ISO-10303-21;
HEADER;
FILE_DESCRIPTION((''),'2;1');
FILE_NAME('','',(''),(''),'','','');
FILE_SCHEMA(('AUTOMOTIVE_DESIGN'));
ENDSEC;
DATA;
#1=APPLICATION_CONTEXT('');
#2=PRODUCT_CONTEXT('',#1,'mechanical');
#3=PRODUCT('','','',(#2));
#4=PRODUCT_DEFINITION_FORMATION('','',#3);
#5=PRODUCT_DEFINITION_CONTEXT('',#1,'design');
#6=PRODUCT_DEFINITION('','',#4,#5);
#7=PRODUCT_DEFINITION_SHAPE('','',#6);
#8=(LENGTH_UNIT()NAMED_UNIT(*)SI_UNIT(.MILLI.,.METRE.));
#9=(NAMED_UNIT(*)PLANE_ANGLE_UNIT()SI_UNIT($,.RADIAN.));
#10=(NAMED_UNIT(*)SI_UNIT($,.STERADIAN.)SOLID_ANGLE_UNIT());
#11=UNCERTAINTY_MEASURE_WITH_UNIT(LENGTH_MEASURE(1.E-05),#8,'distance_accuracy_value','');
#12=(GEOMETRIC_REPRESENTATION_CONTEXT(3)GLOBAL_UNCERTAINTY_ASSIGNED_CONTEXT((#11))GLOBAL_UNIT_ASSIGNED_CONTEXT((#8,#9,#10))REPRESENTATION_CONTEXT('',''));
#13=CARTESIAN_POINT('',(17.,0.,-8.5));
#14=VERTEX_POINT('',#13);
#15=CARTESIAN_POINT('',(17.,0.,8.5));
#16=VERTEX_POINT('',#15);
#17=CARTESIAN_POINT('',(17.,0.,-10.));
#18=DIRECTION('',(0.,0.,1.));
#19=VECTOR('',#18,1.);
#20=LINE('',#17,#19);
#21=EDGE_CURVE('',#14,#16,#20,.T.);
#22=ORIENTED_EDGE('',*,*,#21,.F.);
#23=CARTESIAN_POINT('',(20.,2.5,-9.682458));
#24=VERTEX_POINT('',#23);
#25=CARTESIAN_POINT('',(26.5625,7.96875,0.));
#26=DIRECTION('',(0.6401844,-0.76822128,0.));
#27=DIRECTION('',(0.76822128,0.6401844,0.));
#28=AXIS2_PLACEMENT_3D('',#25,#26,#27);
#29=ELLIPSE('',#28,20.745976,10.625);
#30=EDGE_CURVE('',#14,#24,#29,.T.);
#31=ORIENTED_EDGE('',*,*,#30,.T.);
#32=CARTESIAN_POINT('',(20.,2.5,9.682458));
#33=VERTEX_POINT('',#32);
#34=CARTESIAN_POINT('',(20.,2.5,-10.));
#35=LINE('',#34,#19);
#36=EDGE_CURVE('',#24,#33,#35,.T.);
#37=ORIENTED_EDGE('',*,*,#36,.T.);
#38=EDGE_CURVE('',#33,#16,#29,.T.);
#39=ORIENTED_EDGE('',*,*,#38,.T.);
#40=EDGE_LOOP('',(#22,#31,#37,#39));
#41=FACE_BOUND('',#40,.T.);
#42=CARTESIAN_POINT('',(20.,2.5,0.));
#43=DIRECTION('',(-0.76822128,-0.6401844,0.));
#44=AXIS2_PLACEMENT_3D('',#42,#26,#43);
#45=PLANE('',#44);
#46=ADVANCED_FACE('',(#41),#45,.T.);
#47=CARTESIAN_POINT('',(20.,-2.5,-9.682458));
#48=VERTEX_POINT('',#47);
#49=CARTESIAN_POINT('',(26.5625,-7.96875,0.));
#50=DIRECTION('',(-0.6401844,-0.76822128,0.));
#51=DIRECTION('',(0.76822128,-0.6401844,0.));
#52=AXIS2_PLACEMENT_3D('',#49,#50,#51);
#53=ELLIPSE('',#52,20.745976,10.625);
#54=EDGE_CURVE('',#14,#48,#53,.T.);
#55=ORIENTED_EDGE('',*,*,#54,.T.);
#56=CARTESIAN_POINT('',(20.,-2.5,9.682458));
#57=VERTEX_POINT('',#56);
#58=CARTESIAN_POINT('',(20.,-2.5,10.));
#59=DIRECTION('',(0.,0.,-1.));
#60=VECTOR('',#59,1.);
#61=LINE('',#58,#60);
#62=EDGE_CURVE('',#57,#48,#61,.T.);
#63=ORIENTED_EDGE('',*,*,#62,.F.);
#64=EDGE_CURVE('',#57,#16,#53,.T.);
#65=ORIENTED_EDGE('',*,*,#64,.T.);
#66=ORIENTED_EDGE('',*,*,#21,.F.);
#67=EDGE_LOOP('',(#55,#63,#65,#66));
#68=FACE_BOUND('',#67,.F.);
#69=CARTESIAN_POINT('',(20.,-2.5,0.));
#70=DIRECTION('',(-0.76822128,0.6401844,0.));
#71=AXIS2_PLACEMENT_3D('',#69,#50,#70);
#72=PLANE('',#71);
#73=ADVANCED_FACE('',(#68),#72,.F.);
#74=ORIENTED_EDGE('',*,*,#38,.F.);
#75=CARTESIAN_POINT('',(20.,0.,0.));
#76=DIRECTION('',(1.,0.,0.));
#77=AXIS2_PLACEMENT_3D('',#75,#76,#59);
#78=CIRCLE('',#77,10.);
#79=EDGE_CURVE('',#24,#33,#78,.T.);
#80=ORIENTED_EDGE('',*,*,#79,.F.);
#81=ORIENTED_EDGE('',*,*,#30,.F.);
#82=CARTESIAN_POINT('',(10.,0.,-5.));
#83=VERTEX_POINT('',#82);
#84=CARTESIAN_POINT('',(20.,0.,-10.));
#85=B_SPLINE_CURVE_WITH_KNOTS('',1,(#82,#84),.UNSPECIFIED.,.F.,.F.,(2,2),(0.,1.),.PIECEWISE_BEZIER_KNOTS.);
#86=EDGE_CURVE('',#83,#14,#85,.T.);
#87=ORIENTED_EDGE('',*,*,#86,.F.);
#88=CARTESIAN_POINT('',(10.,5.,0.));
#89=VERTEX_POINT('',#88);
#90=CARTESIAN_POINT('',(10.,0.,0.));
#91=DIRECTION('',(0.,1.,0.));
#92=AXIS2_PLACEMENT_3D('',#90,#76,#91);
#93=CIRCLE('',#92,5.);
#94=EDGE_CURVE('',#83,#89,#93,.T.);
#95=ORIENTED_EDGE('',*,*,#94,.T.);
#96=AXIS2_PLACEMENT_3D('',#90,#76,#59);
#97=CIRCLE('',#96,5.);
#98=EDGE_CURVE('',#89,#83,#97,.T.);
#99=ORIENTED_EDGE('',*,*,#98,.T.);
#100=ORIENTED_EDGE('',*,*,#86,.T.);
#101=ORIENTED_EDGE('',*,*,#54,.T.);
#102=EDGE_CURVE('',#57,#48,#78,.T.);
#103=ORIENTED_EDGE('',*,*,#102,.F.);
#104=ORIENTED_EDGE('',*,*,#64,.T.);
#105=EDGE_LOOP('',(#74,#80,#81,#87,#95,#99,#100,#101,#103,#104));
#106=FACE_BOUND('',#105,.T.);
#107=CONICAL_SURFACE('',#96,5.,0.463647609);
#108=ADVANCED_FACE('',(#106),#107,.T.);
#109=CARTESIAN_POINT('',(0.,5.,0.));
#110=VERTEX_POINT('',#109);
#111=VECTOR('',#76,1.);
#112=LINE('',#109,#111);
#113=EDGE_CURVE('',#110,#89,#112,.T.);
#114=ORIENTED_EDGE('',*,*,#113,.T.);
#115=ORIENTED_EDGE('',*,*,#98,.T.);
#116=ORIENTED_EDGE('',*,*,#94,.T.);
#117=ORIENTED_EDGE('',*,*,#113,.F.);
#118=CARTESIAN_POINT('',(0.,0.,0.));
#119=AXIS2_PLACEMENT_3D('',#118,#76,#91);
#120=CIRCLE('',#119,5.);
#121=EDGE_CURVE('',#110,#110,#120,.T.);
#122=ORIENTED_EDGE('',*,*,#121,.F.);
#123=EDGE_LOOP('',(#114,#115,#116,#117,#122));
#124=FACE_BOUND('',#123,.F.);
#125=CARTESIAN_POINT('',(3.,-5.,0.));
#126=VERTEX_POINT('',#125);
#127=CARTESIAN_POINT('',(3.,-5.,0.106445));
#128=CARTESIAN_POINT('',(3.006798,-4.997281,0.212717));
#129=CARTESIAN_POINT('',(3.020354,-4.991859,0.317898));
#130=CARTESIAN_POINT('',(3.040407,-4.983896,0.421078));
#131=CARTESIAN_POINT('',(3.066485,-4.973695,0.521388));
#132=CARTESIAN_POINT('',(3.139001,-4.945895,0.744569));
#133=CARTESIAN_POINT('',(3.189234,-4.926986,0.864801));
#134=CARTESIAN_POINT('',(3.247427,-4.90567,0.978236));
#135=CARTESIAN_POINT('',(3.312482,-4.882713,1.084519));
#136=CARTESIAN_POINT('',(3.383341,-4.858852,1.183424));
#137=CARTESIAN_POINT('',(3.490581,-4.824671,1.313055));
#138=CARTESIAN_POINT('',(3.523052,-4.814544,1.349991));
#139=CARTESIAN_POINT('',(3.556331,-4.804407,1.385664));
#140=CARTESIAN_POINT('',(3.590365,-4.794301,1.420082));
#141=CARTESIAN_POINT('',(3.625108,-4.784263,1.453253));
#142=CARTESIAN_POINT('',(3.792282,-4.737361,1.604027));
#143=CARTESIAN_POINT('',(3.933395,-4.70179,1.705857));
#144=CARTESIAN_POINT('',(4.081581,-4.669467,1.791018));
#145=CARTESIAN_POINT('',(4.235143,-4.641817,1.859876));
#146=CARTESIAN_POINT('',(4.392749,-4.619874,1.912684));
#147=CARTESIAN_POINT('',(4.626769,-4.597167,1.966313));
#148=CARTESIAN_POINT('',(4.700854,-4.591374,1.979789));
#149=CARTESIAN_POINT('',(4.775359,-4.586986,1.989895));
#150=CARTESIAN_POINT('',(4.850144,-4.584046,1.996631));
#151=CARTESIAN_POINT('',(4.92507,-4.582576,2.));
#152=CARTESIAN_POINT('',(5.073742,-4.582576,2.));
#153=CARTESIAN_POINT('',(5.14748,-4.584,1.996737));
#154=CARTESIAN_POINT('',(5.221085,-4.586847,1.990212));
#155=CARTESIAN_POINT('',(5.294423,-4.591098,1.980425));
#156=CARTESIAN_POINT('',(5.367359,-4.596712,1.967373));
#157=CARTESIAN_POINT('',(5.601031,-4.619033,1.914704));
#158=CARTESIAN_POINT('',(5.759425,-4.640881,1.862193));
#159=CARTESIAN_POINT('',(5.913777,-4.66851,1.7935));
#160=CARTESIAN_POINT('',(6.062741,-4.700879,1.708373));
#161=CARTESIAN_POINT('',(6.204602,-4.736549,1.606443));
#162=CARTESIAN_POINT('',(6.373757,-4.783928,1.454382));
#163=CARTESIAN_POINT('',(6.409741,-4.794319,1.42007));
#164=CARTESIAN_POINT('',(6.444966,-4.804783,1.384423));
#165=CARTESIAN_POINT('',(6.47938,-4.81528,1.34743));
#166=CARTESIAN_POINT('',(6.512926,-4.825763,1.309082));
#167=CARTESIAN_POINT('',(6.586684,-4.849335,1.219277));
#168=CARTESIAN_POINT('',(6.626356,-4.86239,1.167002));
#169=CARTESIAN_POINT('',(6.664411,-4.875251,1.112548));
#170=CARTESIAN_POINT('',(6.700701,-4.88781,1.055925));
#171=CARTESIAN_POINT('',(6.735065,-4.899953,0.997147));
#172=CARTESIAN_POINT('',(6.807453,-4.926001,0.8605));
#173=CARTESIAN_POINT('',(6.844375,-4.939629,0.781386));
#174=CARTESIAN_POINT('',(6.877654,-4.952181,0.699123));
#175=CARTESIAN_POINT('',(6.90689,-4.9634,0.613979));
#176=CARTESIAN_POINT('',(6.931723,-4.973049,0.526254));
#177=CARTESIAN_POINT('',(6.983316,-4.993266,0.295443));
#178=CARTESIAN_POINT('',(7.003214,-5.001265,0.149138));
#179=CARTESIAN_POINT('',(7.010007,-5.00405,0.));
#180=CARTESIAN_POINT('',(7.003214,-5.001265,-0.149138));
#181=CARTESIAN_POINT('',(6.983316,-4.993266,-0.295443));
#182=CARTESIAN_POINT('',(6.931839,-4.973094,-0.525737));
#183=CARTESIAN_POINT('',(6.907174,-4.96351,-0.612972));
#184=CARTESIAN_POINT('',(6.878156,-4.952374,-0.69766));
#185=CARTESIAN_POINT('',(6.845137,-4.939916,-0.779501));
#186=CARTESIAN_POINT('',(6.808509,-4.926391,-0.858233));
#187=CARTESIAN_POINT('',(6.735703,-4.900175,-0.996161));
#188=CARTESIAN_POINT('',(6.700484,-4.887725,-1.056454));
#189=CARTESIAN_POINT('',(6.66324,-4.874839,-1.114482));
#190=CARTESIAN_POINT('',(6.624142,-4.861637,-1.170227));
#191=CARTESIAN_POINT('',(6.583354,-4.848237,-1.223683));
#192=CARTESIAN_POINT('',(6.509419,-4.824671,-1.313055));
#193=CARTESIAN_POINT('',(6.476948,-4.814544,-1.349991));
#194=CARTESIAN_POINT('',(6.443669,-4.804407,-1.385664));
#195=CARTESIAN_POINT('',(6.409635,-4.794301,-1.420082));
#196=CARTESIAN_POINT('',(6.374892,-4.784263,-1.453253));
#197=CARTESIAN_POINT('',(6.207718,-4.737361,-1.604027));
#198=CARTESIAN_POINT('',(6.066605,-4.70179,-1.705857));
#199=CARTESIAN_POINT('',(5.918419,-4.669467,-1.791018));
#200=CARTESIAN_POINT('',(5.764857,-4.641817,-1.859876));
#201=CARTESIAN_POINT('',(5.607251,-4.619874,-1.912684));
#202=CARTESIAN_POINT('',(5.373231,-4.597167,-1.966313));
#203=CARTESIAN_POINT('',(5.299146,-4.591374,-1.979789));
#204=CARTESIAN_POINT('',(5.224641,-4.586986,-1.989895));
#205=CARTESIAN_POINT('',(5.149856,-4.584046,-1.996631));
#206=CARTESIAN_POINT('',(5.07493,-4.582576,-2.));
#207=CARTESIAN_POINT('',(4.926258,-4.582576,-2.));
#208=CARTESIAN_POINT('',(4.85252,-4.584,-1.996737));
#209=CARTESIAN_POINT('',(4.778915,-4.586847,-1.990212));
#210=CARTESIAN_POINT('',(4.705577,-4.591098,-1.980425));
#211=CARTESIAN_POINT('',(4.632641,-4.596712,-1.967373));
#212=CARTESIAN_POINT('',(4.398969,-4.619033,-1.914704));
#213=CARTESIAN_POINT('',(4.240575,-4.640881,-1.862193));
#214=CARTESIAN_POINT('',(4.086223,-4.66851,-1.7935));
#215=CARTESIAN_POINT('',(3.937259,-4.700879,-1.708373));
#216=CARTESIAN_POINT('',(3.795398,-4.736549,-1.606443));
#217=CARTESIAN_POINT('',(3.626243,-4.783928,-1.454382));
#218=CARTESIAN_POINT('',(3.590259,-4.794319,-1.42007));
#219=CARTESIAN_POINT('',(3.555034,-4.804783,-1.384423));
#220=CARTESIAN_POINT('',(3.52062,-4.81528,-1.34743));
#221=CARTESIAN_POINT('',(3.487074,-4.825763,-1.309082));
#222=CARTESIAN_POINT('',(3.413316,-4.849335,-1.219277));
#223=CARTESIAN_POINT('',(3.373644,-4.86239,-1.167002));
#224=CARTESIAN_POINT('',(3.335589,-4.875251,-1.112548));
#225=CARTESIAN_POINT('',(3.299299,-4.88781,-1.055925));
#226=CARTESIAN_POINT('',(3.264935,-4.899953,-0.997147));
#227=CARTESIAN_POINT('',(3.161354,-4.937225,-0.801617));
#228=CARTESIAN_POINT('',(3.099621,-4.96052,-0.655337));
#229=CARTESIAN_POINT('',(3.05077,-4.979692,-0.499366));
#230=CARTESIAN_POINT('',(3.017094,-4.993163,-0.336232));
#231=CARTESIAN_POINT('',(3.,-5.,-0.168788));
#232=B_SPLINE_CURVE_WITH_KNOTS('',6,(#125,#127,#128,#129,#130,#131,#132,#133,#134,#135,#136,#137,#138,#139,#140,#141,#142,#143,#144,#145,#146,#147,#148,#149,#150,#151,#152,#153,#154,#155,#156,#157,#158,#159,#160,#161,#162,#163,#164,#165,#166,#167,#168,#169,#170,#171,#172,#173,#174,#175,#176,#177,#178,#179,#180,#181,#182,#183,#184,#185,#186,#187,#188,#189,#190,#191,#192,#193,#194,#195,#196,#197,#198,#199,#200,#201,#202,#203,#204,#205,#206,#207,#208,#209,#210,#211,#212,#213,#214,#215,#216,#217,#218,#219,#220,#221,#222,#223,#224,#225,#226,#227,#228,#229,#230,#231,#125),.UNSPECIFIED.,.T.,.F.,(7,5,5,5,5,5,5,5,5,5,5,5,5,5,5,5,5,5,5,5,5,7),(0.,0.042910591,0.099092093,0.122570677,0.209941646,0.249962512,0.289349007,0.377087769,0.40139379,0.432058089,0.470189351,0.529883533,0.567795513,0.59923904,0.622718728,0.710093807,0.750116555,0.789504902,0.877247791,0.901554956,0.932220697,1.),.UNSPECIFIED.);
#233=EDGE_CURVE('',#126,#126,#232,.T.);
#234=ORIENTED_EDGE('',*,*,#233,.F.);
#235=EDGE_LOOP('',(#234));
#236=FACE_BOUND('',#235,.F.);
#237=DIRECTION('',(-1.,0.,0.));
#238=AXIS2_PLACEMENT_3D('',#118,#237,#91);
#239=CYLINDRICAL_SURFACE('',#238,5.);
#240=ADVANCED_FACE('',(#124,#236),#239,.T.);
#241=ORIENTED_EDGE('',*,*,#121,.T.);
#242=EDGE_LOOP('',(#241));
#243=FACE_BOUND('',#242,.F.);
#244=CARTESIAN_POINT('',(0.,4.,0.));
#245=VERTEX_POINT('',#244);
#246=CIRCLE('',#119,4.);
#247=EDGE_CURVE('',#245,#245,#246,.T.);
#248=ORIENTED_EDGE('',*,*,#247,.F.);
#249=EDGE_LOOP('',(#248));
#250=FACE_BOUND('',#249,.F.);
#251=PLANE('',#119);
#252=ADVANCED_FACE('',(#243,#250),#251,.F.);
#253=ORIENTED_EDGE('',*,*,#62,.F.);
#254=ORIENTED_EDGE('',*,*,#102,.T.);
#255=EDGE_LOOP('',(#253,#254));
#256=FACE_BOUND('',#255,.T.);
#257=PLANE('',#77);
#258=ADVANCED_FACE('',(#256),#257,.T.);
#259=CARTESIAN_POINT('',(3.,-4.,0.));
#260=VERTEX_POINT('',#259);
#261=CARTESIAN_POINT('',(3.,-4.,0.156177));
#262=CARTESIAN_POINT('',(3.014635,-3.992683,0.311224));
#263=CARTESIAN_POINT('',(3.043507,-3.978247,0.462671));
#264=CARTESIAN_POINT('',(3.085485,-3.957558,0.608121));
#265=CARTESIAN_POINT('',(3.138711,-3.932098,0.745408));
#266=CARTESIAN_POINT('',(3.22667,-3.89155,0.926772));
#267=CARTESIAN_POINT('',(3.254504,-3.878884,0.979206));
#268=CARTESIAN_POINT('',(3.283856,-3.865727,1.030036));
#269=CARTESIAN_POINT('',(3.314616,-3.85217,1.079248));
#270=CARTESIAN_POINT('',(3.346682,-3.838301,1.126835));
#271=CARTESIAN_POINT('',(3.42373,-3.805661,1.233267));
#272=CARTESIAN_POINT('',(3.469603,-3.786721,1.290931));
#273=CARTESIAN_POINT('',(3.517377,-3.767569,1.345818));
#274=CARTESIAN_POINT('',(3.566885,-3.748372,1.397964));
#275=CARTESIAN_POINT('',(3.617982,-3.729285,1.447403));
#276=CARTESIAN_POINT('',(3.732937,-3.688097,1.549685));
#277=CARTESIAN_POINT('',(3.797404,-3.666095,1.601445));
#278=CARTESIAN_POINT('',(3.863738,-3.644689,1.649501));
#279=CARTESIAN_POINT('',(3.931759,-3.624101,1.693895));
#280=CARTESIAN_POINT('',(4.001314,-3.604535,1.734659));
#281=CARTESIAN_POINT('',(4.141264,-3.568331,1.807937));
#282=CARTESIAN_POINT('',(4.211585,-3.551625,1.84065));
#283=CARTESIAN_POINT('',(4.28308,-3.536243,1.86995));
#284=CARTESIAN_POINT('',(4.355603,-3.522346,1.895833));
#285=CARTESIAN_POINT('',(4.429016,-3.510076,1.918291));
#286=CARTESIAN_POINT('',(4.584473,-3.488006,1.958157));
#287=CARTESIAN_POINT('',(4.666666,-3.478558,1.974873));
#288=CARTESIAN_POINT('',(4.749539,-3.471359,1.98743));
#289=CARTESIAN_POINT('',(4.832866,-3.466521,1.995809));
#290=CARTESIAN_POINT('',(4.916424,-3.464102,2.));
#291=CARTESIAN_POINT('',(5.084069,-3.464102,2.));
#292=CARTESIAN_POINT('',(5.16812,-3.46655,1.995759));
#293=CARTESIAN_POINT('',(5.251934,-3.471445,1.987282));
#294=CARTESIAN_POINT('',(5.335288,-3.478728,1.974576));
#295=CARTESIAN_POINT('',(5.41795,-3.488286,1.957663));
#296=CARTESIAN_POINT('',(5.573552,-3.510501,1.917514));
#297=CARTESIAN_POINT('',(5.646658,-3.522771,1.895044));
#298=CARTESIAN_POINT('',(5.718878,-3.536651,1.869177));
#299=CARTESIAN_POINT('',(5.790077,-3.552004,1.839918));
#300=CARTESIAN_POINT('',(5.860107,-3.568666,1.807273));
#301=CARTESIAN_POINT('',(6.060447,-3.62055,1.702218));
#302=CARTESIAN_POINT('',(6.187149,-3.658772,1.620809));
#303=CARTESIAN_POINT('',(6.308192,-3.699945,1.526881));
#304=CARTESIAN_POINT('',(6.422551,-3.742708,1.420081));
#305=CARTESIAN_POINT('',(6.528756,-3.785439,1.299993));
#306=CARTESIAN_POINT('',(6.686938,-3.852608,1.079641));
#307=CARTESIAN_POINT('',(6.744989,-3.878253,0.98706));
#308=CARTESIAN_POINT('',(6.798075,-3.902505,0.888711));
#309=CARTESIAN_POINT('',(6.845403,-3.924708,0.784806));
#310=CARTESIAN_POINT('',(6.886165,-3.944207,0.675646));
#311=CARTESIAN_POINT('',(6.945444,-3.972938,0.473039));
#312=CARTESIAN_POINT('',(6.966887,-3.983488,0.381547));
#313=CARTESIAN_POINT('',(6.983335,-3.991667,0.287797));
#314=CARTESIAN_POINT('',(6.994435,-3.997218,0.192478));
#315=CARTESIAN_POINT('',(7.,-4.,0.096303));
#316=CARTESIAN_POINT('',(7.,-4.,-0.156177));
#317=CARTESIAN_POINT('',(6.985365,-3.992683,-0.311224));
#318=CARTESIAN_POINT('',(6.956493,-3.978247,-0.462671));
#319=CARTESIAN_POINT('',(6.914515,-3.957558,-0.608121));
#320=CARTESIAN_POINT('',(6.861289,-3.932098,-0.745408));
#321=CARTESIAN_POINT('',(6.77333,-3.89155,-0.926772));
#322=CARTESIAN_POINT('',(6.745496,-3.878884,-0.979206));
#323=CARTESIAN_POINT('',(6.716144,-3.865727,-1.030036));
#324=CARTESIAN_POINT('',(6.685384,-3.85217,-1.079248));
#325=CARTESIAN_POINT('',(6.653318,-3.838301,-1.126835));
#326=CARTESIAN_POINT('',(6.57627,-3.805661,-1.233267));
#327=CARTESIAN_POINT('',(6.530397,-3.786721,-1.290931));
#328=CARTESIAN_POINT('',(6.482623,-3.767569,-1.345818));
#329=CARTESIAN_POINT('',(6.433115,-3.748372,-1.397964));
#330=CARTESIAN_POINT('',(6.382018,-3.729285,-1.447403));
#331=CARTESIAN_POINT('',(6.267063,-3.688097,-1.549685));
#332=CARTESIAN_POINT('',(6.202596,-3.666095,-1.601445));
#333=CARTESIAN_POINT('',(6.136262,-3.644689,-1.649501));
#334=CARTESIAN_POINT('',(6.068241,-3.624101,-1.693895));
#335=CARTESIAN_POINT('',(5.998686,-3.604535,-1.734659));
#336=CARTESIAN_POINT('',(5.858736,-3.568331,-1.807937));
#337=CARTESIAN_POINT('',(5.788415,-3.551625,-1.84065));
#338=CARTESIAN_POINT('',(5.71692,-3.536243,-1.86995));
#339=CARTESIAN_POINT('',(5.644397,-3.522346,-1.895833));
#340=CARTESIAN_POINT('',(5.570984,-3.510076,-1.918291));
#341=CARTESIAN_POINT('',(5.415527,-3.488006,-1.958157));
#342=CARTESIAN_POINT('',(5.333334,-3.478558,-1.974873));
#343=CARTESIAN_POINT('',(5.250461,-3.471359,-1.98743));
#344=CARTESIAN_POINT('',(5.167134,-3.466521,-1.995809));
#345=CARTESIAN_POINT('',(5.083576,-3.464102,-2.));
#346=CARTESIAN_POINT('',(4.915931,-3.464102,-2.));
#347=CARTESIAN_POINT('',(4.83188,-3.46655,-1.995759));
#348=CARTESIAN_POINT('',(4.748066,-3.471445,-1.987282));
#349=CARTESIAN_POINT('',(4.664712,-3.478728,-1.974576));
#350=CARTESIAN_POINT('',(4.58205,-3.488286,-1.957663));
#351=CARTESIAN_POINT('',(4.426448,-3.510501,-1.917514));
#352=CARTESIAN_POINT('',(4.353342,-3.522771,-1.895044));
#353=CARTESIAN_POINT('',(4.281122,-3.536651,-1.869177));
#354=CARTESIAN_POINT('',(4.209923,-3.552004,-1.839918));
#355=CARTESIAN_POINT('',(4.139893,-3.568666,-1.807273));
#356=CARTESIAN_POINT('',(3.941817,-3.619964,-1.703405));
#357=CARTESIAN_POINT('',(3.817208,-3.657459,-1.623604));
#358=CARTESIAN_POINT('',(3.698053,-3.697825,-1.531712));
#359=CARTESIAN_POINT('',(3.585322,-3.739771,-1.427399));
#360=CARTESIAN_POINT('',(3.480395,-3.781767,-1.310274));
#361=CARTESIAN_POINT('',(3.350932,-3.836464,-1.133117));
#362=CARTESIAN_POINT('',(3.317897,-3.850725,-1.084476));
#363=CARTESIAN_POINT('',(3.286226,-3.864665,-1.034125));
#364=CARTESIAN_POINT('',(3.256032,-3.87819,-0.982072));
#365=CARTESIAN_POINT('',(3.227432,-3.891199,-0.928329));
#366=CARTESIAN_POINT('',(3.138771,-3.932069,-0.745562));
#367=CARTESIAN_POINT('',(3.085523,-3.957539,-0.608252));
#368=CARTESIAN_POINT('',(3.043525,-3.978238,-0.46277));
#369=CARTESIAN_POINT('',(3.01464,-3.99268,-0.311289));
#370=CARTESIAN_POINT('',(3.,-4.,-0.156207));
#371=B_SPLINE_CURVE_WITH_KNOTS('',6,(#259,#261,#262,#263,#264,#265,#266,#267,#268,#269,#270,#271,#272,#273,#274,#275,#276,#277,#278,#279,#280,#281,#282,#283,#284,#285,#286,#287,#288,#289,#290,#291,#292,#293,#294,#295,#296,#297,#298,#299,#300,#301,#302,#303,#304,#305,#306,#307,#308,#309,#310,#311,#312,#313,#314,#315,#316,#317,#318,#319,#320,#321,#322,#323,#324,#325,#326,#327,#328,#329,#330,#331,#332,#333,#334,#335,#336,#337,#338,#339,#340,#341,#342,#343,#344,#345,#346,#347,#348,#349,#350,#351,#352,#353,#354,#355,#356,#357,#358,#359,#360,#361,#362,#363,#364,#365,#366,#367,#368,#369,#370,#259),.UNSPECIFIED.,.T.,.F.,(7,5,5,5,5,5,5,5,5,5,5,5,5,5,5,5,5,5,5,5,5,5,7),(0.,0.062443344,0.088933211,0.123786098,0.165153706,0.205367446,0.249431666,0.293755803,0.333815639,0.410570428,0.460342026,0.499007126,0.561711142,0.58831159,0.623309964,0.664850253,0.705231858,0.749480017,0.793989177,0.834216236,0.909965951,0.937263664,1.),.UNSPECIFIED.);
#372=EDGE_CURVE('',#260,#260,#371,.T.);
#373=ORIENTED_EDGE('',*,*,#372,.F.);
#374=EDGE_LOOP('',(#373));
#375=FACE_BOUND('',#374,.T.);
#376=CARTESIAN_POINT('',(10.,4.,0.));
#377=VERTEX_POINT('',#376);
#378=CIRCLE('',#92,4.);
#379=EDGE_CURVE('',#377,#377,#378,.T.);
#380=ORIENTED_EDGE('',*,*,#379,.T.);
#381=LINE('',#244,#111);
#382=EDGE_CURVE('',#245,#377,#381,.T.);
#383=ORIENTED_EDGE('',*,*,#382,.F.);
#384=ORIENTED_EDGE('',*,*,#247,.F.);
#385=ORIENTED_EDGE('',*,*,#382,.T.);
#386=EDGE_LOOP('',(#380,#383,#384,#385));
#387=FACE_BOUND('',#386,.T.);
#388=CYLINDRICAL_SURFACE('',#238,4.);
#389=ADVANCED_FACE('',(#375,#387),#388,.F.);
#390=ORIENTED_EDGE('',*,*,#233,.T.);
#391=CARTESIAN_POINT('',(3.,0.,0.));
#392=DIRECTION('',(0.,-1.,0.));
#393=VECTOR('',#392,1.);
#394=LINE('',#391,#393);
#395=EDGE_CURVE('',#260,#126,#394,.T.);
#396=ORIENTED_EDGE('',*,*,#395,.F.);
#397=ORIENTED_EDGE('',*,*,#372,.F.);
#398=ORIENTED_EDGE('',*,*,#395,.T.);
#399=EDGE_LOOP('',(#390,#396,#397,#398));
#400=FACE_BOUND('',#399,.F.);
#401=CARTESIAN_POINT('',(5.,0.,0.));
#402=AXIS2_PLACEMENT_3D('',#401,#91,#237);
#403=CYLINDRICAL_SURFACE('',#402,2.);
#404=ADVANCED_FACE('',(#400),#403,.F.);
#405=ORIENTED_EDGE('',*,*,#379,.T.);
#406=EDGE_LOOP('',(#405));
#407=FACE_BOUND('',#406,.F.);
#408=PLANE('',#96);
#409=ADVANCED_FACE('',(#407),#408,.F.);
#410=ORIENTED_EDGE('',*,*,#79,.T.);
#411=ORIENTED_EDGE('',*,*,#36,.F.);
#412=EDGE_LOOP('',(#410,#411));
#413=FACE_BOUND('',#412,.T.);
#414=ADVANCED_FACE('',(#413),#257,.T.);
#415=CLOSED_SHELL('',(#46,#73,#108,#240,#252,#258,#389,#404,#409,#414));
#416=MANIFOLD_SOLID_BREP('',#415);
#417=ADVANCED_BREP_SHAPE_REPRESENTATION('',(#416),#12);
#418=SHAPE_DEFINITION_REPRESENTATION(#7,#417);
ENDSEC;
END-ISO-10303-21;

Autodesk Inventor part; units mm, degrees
ref_plane "YZ Plane" through (0, 0, 0) normal (1, 0, 0) x (0, 1, 0)
ref_plane "XZ Plane" through (0, 0, 0) normal (0, 1, 0) x (-1, 0, 0)
ref_plane "XY Plane" through (0, 0, 0) normal (0, 0, 1) x (1, 0, 0)
sketch "Sketch1" plane through (0, 0, 0) normal (1, 0, 0) x (0, 1, 0)
  circle A0 centre (0, 0) radius 4
  circle A1 centre (0, 0) radius 5
  dimension "d0" = 8
  dimension "d1" = 10
extrude "Extrusion1" add sketch "Sketch1" along normal blind 10
sketch "Sketch2" plane through (10, 0, 0) normal (1, 0, 0) x (0, 0, -1)
  circle A0 centre (0, 0) radius 4 projected
  circle A1 centre (0, 0) radius 5 projected
extrude "Extrusion2" add sketch "Sketch2" along normal blind 10 contours A0 | A1
sketch "Sketch3" plane through (20, 0, 0) normal (1, 0, 0) x (0, 0, -1)
  circle A0 centre (0, 0) radius 10
  dimension "d6" = 20
loft "Loft1" add profiles "Sketch2", "Sketch3" contours A0 | A1 / all
sketch "Sketch4" plane through (0, 0, 0) normal (0, 0, 1) x (1, 0, 0)
  line L0 (10, 5) -> (10, -5) projected
  line L1 (20, 10) -> (20, -10) projected
  line L2 (-4, 0) -> (24, 0) projected
  line L3 (20, 2.5) -> (17, 0)
  line L4 (20, 10) -> (20, -10) projected
  line L5 (20, -2.5) -> (17, 0)
  line L6 (20, 2.5) -> (20, -2.5)
  point P0 (0, 0)
  dimension "d11" = 5
  dimension "d12" = 3
extrude "Extrusion3" cut sketch "Sketch4" along normal mid plane 20
sketch "Sketch5" plane through (0, 0, 0) normal (0, 1, 0) x (-1, 0, 0)
  line L0 (-10, -5) -> (-10, 5) projected
  line L1 (0, -5) -> (0, 5) projected
  circle A0 centre (-5, 0) radius 2
  line L2 (0, 0) -> (-10, 0)
  dimension "d15" = 4
  dimension "d16" = 5
extrude "Extrusion4" cut sketch "Sketch5" against normal up to next
thread "Thread1" size "M4x0.7" class "6H" standard "ANSI Metric M Profile" full length
properties part number "Hand" material "PC/ABS Plastic"
